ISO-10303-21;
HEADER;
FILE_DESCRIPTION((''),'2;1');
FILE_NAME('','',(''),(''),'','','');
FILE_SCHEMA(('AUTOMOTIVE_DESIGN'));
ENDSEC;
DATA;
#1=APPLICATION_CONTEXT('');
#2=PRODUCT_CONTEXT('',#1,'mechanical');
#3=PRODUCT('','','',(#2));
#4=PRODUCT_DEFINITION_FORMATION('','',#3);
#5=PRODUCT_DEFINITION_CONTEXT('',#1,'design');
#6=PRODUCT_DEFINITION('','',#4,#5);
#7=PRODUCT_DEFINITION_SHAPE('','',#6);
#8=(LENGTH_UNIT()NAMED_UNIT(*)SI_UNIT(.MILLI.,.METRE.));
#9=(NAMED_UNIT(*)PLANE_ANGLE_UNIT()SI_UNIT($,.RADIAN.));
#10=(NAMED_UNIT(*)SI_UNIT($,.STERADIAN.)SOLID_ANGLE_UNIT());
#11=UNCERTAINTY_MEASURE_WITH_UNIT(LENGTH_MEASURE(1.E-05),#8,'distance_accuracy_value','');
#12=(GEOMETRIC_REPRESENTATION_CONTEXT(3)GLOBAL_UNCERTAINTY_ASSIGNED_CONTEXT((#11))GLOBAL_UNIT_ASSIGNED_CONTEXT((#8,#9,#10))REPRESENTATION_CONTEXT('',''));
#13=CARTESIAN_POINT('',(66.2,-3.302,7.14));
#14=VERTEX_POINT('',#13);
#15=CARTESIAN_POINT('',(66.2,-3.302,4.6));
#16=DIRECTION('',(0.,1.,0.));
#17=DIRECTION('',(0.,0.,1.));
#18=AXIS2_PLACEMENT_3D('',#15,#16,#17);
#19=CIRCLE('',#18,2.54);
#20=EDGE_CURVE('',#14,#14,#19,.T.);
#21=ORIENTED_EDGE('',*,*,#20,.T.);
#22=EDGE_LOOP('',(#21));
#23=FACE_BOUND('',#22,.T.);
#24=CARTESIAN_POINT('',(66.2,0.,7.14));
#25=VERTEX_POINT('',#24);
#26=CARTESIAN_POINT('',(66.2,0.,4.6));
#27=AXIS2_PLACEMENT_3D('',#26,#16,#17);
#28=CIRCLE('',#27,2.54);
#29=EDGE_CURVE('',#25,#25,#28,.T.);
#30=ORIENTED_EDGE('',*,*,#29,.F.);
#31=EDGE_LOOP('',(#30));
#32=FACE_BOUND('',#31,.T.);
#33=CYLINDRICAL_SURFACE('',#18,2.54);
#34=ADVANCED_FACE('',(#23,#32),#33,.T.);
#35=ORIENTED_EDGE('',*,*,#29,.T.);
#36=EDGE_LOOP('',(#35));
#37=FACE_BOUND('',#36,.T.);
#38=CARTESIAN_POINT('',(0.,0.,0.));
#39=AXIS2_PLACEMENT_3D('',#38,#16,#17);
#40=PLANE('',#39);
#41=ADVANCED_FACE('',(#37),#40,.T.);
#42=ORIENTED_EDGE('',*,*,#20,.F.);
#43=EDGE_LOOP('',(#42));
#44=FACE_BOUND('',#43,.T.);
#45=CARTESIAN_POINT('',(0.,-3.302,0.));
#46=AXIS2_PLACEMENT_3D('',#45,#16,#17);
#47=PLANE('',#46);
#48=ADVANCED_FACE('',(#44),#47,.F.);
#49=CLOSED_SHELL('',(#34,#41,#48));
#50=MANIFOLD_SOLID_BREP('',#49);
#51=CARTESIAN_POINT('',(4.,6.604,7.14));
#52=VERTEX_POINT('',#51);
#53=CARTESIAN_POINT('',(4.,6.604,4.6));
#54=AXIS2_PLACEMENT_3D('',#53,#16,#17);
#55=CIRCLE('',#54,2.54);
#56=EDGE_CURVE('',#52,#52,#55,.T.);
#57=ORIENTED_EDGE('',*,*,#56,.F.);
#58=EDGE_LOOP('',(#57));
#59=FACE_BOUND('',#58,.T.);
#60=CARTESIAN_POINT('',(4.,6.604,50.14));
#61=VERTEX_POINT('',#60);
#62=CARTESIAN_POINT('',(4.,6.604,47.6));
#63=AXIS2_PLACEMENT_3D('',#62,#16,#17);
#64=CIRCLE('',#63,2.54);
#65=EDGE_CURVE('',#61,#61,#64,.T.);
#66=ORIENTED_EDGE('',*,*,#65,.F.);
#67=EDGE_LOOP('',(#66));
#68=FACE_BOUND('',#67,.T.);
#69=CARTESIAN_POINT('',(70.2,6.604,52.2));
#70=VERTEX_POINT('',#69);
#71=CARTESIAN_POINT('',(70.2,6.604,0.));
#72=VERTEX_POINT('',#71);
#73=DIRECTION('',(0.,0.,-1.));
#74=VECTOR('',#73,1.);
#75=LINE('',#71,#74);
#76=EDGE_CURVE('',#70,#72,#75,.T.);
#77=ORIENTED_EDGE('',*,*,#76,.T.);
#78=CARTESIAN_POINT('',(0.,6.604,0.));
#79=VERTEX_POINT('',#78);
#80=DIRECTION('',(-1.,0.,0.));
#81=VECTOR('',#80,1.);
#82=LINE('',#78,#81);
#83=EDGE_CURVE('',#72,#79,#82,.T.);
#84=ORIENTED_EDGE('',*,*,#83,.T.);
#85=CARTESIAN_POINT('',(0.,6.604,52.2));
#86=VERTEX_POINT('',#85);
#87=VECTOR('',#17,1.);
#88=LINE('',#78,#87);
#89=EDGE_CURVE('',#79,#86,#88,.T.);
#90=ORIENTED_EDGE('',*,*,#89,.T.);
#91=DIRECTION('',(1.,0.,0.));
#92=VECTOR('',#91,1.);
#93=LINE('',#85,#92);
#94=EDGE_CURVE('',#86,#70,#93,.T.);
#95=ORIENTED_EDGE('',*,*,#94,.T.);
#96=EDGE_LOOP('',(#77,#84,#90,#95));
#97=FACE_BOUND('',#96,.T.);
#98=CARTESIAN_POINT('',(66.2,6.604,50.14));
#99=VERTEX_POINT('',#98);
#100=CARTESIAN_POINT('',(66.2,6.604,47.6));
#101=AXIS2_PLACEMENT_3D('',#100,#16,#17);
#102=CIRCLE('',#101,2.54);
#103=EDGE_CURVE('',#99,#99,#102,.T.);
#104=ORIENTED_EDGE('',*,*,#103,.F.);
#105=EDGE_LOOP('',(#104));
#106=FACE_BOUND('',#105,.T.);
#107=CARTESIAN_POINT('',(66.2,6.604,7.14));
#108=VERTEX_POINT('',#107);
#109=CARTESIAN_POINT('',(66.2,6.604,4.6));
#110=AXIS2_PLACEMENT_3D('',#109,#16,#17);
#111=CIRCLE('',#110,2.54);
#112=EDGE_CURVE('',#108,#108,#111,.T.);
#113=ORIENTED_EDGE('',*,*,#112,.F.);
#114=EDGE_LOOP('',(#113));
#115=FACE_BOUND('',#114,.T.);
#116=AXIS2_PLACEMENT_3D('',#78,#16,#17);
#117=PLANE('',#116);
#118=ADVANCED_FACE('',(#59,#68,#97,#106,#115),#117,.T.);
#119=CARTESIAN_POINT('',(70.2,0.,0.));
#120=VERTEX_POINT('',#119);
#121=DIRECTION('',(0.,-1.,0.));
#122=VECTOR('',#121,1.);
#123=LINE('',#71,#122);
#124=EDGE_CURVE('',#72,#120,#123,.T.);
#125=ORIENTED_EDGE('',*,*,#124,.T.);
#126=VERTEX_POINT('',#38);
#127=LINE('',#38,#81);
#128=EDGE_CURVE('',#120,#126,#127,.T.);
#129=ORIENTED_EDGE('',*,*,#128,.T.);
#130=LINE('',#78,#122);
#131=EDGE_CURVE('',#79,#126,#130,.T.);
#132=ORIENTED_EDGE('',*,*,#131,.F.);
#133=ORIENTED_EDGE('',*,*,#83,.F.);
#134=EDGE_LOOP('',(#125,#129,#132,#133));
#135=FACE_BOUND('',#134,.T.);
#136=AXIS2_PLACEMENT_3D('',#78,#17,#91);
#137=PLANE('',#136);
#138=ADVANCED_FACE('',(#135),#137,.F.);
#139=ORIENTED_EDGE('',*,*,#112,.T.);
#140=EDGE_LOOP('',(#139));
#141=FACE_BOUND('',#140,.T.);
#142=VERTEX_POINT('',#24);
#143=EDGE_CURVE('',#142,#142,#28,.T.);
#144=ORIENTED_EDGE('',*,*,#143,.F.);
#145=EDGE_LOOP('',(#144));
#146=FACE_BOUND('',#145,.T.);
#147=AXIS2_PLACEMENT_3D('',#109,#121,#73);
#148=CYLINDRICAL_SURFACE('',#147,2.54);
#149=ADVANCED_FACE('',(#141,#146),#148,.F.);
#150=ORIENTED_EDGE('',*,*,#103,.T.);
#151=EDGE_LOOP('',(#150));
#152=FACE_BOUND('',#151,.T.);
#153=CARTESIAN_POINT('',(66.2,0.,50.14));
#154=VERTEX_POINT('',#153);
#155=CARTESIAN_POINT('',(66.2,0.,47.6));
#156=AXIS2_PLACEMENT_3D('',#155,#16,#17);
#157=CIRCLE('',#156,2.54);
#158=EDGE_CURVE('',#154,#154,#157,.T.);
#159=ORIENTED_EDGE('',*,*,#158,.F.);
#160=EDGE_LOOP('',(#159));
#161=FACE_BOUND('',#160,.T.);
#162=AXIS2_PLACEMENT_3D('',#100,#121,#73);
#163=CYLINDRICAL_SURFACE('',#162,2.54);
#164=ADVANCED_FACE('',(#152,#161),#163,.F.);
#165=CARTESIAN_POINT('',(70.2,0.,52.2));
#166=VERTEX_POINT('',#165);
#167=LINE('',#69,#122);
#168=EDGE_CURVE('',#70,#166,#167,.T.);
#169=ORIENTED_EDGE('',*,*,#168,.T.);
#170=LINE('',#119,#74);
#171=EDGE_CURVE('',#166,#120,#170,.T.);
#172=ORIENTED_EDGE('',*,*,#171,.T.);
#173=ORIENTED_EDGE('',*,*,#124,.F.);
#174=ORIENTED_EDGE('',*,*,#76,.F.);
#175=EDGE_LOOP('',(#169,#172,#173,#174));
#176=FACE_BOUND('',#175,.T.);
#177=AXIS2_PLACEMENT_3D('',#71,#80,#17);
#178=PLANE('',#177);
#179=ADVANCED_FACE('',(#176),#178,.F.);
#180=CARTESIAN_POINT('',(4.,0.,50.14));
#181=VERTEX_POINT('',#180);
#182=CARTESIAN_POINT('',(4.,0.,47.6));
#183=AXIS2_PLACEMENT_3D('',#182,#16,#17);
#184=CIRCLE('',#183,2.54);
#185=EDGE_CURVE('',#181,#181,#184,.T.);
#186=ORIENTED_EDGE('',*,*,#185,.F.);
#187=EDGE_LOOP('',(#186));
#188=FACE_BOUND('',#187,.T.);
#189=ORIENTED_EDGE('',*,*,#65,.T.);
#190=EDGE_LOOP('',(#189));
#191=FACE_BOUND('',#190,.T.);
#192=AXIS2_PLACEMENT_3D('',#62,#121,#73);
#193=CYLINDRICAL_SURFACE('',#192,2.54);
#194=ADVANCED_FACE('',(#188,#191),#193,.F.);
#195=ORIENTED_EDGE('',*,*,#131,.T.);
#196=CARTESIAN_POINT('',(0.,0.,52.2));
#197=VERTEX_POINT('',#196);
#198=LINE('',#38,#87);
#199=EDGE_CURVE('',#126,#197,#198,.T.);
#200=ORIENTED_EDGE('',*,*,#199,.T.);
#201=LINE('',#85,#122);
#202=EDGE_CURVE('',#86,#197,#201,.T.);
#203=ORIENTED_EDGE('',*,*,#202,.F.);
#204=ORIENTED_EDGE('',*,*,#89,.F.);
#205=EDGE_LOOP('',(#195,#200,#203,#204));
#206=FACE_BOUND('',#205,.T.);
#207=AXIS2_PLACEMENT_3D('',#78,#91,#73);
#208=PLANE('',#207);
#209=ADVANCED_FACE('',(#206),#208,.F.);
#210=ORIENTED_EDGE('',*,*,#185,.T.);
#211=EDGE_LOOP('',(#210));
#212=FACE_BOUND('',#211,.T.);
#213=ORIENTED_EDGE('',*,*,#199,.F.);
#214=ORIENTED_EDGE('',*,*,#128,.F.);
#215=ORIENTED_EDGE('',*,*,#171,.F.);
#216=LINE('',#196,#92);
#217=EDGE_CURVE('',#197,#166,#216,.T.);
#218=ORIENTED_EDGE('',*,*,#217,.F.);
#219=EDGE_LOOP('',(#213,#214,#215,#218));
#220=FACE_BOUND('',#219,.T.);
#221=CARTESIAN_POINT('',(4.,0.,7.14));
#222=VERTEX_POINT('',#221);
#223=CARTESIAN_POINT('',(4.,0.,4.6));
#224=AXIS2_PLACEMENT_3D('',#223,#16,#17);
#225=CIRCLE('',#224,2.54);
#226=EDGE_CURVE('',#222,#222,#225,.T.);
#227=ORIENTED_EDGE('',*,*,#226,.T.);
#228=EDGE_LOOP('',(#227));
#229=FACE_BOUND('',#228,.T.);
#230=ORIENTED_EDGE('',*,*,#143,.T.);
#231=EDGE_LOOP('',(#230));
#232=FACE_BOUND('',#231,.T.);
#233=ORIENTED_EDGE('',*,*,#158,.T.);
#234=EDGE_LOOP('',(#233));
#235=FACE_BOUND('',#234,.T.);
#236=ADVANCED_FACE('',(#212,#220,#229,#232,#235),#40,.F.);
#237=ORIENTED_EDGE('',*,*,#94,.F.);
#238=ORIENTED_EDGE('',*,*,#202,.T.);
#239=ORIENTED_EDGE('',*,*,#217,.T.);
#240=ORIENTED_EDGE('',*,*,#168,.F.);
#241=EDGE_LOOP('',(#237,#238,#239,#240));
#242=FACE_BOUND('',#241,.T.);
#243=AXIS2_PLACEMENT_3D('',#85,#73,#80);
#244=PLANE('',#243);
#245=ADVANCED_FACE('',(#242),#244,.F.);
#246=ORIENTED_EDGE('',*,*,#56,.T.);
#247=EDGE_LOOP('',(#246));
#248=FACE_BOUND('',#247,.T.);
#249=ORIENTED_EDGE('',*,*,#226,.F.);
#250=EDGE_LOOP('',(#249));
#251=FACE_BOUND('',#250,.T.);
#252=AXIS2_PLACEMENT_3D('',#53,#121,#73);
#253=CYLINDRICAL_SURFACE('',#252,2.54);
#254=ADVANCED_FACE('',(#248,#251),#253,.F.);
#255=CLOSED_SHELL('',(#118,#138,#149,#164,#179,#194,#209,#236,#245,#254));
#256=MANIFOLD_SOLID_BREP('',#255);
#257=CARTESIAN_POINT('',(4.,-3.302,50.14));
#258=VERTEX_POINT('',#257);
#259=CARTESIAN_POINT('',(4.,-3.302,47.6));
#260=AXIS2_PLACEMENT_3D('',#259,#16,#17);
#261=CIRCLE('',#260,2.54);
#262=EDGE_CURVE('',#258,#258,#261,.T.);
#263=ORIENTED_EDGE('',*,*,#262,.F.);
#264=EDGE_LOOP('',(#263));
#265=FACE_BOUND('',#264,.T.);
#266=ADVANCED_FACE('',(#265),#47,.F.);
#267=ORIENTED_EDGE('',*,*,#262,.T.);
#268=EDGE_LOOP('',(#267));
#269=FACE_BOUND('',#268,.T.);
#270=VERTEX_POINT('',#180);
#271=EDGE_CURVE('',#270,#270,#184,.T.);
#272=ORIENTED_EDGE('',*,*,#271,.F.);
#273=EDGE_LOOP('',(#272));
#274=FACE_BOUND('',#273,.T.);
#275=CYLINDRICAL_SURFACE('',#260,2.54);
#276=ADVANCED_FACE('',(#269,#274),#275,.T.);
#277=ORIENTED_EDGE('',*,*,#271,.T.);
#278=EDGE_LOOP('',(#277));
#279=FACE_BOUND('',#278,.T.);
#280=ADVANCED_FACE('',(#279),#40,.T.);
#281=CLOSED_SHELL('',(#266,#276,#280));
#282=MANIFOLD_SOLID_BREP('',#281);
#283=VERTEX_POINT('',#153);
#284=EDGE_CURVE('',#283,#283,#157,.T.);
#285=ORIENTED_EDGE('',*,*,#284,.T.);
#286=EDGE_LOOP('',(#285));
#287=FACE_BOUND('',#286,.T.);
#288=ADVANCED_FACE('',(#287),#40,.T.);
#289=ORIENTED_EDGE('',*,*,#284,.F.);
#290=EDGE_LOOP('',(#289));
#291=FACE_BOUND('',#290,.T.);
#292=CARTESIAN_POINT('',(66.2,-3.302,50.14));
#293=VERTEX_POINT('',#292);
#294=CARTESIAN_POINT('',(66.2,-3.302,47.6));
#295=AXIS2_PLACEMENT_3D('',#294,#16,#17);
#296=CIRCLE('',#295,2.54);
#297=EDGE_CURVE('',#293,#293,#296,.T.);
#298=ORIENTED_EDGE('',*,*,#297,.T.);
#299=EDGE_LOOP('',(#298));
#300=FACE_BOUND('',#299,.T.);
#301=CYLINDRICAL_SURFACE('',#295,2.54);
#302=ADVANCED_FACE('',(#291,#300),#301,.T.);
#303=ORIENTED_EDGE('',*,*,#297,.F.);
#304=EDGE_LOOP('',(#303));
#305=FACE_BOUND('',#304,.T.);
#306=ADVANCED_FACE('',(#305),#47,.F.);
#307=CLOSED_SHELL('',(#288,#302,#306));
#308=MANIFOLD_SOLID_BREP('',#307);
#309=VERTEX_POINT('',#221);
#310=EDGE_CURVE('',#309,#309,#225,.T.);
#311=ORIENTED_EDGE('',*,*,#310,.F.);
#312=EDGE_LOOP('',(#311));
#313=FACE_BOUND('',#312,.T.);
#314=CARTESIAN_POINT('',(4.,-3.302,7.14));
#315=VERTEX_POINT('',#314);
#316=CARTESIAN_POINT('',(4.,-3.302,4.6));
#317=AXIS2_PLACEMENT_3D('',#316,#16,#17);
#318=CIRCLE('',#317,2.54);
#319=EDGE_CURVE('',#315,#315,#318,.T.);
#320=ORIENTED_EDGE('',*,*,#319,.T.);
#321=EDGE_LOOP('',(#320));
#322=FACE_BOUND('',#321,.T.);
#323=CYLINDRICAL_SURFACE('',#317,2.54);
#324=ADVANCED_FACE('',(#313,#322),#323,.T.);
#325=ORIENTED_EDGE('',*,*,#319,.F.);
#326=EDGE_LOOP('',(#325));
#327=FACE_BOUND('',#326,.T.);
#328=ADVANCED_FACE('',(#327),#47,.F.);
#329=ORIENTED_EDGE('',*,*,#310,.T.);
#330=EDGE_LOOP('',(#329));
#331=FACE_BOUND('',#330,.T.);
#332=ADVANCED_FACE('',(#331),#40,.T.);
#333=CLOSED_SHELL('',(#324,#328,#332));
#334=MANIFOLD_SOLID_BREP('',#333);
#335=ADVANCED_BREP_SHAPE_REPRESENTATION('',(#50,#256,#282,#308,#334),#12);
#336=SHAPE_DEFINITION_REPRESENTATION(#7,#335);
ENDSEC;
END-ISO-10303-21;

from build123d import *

# Parameters (mm, degrees)
SKETCH1_W             = 70.2
SKETCH1_H             = 52.2
SKETCH1_R             = 2.54
BOSS_EXTRUDE1_DEPTH   = 6.604
SKETCH1_2_R           = 2.54
BOSS_EXTRUDE2_DEPTH   = 3.302
BOSS_EXTRUDE2_2_DEPTH = 3.302
BOSS_EXTRUDE2_3_DEPTH = 3.302
BOSS_EXTRUDE2_4_DEPTH = 3.302


with BuildPart() as part:
    # Sketch1 → Boss-Extrude1 (new body)
    with BuildSketch(Plane(origin=(0, 0, 0), x_dir=(1, 0, 0), z_dir=(0, 1, 0))):
        with Locations((35.1, -26.1)):
            Rectangle(SKETCH1_W, SKETCH1_H)
        with Locations((4, -4.6)):
            Circle(SKETCH1_R, mode=Mode.SUBTRACT)
        with Locations((66.2, -4.6)):
            Circle(SKETCH1_R, mode=Mode.SUBTRACT)
        with Locations((66.2, -47.6)):
            Circle(SKETCH1_R, mode=Mode.SUBTRACT)
        with Locations((4, -47.6)):
            Circle(SKETCH1_R, mode=Mode.SUBTRACT)
    extrude(amount=BOSS_EXTRUDE1_DEPTH)


with BuildPart() as body_2:
    # Sketch1<2> → Boss-Extrude2 (new body)
    with BuildSketch(Plane(origin=(0, 0, 0), x_dir=(1, 0, 0), z_dir=(0, 1, 0))):
        with Locations((66.2, -4.6)):
            Circle(SKETCH1_2_R)
    extrude(amount=-BOSS_EXTRUDE2_DEPTH)


with BuildPart() as body_3:
    # Sketch1<2> → Boss-Extrude2 2 (new body)
    with BuildSketch(Plane(origin=(0, 0, 0), x_dir=(1, 0, 0), z_dir=(0, 1, 0))):
        with Locations((66.2, -47.6)):
            Circle(SKETCH1_2_R)
    extrude(amount=-BOSS_EXTRUDE2_2_DEPTH)


with BuildPart() as body_4:
    # Sketch1<2> → Boss-Extrude2 3 (new body)
    with BuildSketch(Plane(origin=(0, 0, 0), x_dir=(1, 0, 0), z_dir=(0, 1, 0))):
        with Locations((4, -47.6)):
            Circle(SKETCH1_2_R)
    extrude(amount=-BOSS_EXTRUDE2_3_DEPTH)


with BuildPart() as body_5:
    # Sketch1<2> → Boss-Extrude2 4 (new body)
    with BuildSketch(Plane(origin=(0, 0, 0), x_dir=(1, 0, 0), z_dir=(0, 1, 0))):
        with Locations((4, -4.6)):
            Circle(SKETCH1_2_R)
    extrude(amount=-BOSS_EXTRUDE2_4_DEPTH)


solid = Compound([part.part, body_2.part, body_3.part, body_4.part, body_5.part])
